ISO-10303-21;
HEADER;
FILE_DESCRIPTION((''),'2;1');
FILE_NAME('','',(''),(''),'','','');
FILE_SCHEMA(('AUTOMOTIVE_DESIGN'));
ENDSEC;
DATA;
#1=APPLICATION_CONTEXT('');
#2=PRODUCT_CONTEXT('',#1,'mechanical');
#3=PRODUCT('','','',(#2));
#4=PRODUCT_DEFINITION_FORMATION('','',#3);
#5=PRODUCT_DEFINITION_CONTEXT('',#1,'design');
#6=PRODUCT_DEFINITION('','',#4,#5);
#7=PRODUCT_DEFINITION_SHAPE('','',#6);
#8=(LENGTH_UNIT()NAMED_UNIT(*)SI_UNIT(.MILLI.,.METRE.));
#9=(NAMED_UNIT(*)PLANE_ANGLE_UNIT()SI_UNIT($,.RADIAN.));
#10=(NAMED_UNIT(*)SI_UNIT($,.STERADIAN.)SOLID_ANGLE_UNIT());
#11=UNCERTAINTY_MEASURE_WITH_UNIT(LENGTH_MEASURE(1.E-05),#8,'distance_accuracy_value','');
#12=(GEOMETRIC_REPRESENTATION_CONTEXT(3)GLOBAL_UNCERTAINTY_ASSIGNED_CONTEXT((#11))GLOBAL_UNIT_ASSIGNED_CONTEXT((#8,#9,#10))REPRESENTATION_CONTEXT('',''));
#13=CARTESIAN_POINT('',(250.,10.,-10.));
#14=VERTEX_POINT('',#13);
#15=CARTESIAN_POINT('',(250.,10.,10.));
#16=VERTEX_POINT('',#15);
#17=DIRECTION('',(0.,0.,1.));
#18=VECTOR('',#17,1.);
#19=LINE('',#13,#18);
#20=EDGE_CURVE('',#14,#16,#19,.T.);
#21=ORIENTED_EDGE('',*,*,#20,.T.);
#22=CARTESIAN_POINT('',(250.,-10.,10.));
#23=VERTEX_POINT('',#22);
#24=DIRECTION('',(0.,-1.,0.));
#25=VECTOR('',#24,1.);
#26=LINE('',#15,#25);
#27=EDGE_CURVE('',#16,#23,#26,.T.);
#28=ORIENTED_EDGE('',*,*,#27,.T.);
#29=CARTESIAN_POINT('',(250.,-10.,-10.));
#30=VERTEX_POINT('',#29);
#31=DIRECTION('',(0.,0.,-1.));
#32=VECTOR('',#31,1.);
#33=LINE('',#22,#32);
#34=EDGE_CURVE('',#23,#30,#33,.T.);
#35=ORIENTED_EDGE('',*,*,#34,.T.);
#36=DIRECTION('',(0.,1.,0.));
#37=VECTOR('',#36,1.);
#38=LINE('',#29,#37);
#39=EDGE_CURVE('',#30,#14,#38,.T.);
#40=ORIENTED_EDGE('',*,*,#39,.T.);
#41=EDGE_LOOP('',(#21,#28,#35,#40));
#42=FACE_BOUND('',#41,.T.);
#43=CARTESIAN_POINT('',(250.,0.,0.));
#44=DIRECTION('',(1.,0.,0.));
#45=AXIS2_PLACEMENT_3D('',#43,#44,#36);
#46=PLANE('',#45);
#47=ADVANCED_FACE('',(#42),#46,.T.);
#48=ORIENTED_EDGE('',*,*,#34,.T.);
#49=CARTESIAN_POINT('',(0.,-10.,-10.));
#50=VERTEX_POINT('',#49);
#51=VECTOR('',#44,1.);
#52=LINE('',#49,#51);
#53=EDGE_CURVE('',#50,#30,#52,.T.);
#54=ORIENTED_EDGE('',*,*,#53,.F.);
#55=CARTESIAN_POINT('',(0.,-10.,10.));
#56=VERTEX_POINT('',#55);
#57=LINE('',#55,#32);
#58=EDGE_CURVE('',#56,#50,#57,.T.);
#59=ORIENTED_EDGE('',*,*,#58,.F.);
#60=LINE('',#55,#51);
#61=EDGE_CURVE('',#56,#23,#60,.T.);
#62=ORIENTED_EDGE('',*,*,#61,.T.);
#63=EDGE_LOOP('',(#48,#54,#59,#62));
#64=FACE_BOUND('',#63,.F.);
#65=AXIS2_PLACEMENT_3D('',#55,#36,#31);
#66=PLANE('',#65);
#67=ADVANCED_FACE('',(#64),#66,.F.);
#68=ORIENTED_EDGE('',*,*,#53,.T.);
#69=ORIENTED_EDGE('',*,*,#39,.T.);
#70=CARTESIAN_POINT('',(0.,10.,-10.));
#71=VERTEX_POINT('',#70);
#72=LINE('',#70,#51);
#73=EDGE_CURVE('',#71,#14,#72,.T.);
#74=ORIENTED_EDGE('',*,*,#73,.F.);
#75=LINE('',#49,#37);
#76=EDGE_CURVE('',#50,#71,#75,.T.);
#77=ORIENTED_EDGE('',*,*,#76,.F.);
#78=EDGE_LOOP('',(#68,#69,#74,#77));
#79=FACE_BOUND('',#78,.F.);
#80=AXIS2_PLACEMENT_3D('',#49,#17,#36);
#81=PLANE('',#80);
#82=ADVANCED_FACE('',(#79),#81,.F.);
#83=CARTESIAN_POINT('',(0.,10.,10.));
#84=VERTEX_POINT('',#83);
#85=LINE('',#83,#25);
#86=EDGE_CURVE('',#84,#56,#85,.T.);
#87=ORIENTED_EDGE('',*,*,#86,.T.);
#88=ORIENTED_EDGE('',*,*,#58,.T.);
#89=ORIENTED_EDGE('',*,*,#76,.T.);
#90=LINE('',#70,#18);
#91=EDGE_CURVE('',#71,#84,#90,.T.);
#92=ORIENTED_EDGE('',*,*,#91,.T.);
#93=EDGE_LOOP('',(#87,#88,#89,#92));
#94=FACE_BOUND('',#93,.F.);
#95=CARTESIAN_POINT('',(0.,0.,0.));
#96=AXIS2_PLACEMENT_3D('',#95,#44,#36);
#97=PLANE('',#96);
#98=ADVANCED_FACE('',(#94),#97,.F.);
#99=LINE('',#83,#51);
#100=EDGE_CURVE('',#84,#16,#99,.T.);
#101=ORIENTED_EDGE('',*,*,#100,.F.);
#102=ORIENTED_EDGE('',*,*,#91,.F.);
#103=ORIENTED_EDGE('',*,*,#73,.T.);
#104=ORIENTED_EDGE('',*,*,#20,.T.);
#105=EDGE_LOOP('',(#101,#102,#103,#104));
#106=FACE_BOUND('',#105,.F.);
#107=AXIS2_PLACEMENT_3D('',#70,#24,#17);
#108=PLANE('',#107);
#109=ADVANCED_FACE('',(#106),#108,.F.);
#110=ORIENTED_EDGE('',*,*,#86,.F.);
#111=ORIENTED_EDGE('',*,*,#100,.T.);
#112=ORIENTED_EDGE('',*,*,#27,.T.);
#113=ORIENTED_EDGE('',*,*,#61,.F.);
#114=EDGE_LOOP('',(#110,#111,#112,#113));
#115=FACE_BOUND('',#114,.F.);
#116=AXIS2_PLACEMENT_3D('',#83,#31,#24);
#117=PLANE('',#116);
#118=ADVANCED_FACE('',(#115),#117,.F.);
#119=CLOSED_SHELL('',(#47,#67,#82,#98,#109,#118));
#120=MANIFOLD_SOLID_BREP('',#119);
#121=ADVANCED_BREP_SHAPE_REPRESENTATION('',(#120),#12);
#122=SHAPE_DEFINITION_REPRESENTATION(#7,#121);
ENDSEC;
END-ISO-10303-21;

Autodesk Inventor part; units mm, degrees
ref_plane "YZ Plane" through (0, 0, 0) normal (1, 0, 0) x (0, 1, 0)
ref_plane "XZ Plane" through (0, 0, 0) normal (0, 1, 0) x (-1, 0, 0)
ref_plane "XY Plane" through (0, 0, 0) normal (0, 0, 1) x (1, 0, 0)
sketch "Эскиз1" plane through (0, 0, 0) normal (1, 0, 0) x (0, 1, 0)
  line L0 (-10, -10) -> (10, -10)
  line L1 (10, -10) -> (10, 10)
  line L2 (10, 10) -> (-10, 10)
  line L3 (-10, 10) -> (-10, -10)
  line L4 (-10, -10) -> (10, 10) construction
  line L5 (10, -10) -> (-10, 10) construction
  point P0 (0, 0)
  dimension "d0" = 20
  dimension "d1" = 20
extrude "Выдавливание1" add sketch "Эскиз1" along normal blind 250
sketch "Эскиз2" plane through (250, 0, 0) normal (1, 0, 0) x (0, 0, -1)
  line L0 (-10, -10) -> (-10, 10)
  point P0 (0, 0)
sketch "Эскиз3" plane through (0, -10, -10) normal (0, -1, 0) x (1, 0, 0)
  line L0 (0, 20) -> (0, 0) projected
  line L1 (0, 0) -> (250, 0) projected
  line L2 (250, 20) -> (250, 0) projected
  line L3 (0, 20) -> (250, 20) projected
  line L4 (0, 0) -> (0, -100) construction
  line L5 (250, 0) -> (250, -100) construction
  point P0 (0, 10)
  dimension "d4" = 100
  dimension "d6" = 100
sketch "Эскиз4" plane through (0, 10, 10) normal (0, 1, 0) x (1, 0, 0)
  line L0 (0, 19.9024) -> (0, 119.9024) construction
  point P0 (0, 10)
  dimension "d7" = 100
sketch3d "3D эскиз1"
ref_plane "РабПлоскость1" through (0, -10, -110) normal (0, 0.0049, -1) x (0, 1, 0.0049)
properties part number "Stick"
